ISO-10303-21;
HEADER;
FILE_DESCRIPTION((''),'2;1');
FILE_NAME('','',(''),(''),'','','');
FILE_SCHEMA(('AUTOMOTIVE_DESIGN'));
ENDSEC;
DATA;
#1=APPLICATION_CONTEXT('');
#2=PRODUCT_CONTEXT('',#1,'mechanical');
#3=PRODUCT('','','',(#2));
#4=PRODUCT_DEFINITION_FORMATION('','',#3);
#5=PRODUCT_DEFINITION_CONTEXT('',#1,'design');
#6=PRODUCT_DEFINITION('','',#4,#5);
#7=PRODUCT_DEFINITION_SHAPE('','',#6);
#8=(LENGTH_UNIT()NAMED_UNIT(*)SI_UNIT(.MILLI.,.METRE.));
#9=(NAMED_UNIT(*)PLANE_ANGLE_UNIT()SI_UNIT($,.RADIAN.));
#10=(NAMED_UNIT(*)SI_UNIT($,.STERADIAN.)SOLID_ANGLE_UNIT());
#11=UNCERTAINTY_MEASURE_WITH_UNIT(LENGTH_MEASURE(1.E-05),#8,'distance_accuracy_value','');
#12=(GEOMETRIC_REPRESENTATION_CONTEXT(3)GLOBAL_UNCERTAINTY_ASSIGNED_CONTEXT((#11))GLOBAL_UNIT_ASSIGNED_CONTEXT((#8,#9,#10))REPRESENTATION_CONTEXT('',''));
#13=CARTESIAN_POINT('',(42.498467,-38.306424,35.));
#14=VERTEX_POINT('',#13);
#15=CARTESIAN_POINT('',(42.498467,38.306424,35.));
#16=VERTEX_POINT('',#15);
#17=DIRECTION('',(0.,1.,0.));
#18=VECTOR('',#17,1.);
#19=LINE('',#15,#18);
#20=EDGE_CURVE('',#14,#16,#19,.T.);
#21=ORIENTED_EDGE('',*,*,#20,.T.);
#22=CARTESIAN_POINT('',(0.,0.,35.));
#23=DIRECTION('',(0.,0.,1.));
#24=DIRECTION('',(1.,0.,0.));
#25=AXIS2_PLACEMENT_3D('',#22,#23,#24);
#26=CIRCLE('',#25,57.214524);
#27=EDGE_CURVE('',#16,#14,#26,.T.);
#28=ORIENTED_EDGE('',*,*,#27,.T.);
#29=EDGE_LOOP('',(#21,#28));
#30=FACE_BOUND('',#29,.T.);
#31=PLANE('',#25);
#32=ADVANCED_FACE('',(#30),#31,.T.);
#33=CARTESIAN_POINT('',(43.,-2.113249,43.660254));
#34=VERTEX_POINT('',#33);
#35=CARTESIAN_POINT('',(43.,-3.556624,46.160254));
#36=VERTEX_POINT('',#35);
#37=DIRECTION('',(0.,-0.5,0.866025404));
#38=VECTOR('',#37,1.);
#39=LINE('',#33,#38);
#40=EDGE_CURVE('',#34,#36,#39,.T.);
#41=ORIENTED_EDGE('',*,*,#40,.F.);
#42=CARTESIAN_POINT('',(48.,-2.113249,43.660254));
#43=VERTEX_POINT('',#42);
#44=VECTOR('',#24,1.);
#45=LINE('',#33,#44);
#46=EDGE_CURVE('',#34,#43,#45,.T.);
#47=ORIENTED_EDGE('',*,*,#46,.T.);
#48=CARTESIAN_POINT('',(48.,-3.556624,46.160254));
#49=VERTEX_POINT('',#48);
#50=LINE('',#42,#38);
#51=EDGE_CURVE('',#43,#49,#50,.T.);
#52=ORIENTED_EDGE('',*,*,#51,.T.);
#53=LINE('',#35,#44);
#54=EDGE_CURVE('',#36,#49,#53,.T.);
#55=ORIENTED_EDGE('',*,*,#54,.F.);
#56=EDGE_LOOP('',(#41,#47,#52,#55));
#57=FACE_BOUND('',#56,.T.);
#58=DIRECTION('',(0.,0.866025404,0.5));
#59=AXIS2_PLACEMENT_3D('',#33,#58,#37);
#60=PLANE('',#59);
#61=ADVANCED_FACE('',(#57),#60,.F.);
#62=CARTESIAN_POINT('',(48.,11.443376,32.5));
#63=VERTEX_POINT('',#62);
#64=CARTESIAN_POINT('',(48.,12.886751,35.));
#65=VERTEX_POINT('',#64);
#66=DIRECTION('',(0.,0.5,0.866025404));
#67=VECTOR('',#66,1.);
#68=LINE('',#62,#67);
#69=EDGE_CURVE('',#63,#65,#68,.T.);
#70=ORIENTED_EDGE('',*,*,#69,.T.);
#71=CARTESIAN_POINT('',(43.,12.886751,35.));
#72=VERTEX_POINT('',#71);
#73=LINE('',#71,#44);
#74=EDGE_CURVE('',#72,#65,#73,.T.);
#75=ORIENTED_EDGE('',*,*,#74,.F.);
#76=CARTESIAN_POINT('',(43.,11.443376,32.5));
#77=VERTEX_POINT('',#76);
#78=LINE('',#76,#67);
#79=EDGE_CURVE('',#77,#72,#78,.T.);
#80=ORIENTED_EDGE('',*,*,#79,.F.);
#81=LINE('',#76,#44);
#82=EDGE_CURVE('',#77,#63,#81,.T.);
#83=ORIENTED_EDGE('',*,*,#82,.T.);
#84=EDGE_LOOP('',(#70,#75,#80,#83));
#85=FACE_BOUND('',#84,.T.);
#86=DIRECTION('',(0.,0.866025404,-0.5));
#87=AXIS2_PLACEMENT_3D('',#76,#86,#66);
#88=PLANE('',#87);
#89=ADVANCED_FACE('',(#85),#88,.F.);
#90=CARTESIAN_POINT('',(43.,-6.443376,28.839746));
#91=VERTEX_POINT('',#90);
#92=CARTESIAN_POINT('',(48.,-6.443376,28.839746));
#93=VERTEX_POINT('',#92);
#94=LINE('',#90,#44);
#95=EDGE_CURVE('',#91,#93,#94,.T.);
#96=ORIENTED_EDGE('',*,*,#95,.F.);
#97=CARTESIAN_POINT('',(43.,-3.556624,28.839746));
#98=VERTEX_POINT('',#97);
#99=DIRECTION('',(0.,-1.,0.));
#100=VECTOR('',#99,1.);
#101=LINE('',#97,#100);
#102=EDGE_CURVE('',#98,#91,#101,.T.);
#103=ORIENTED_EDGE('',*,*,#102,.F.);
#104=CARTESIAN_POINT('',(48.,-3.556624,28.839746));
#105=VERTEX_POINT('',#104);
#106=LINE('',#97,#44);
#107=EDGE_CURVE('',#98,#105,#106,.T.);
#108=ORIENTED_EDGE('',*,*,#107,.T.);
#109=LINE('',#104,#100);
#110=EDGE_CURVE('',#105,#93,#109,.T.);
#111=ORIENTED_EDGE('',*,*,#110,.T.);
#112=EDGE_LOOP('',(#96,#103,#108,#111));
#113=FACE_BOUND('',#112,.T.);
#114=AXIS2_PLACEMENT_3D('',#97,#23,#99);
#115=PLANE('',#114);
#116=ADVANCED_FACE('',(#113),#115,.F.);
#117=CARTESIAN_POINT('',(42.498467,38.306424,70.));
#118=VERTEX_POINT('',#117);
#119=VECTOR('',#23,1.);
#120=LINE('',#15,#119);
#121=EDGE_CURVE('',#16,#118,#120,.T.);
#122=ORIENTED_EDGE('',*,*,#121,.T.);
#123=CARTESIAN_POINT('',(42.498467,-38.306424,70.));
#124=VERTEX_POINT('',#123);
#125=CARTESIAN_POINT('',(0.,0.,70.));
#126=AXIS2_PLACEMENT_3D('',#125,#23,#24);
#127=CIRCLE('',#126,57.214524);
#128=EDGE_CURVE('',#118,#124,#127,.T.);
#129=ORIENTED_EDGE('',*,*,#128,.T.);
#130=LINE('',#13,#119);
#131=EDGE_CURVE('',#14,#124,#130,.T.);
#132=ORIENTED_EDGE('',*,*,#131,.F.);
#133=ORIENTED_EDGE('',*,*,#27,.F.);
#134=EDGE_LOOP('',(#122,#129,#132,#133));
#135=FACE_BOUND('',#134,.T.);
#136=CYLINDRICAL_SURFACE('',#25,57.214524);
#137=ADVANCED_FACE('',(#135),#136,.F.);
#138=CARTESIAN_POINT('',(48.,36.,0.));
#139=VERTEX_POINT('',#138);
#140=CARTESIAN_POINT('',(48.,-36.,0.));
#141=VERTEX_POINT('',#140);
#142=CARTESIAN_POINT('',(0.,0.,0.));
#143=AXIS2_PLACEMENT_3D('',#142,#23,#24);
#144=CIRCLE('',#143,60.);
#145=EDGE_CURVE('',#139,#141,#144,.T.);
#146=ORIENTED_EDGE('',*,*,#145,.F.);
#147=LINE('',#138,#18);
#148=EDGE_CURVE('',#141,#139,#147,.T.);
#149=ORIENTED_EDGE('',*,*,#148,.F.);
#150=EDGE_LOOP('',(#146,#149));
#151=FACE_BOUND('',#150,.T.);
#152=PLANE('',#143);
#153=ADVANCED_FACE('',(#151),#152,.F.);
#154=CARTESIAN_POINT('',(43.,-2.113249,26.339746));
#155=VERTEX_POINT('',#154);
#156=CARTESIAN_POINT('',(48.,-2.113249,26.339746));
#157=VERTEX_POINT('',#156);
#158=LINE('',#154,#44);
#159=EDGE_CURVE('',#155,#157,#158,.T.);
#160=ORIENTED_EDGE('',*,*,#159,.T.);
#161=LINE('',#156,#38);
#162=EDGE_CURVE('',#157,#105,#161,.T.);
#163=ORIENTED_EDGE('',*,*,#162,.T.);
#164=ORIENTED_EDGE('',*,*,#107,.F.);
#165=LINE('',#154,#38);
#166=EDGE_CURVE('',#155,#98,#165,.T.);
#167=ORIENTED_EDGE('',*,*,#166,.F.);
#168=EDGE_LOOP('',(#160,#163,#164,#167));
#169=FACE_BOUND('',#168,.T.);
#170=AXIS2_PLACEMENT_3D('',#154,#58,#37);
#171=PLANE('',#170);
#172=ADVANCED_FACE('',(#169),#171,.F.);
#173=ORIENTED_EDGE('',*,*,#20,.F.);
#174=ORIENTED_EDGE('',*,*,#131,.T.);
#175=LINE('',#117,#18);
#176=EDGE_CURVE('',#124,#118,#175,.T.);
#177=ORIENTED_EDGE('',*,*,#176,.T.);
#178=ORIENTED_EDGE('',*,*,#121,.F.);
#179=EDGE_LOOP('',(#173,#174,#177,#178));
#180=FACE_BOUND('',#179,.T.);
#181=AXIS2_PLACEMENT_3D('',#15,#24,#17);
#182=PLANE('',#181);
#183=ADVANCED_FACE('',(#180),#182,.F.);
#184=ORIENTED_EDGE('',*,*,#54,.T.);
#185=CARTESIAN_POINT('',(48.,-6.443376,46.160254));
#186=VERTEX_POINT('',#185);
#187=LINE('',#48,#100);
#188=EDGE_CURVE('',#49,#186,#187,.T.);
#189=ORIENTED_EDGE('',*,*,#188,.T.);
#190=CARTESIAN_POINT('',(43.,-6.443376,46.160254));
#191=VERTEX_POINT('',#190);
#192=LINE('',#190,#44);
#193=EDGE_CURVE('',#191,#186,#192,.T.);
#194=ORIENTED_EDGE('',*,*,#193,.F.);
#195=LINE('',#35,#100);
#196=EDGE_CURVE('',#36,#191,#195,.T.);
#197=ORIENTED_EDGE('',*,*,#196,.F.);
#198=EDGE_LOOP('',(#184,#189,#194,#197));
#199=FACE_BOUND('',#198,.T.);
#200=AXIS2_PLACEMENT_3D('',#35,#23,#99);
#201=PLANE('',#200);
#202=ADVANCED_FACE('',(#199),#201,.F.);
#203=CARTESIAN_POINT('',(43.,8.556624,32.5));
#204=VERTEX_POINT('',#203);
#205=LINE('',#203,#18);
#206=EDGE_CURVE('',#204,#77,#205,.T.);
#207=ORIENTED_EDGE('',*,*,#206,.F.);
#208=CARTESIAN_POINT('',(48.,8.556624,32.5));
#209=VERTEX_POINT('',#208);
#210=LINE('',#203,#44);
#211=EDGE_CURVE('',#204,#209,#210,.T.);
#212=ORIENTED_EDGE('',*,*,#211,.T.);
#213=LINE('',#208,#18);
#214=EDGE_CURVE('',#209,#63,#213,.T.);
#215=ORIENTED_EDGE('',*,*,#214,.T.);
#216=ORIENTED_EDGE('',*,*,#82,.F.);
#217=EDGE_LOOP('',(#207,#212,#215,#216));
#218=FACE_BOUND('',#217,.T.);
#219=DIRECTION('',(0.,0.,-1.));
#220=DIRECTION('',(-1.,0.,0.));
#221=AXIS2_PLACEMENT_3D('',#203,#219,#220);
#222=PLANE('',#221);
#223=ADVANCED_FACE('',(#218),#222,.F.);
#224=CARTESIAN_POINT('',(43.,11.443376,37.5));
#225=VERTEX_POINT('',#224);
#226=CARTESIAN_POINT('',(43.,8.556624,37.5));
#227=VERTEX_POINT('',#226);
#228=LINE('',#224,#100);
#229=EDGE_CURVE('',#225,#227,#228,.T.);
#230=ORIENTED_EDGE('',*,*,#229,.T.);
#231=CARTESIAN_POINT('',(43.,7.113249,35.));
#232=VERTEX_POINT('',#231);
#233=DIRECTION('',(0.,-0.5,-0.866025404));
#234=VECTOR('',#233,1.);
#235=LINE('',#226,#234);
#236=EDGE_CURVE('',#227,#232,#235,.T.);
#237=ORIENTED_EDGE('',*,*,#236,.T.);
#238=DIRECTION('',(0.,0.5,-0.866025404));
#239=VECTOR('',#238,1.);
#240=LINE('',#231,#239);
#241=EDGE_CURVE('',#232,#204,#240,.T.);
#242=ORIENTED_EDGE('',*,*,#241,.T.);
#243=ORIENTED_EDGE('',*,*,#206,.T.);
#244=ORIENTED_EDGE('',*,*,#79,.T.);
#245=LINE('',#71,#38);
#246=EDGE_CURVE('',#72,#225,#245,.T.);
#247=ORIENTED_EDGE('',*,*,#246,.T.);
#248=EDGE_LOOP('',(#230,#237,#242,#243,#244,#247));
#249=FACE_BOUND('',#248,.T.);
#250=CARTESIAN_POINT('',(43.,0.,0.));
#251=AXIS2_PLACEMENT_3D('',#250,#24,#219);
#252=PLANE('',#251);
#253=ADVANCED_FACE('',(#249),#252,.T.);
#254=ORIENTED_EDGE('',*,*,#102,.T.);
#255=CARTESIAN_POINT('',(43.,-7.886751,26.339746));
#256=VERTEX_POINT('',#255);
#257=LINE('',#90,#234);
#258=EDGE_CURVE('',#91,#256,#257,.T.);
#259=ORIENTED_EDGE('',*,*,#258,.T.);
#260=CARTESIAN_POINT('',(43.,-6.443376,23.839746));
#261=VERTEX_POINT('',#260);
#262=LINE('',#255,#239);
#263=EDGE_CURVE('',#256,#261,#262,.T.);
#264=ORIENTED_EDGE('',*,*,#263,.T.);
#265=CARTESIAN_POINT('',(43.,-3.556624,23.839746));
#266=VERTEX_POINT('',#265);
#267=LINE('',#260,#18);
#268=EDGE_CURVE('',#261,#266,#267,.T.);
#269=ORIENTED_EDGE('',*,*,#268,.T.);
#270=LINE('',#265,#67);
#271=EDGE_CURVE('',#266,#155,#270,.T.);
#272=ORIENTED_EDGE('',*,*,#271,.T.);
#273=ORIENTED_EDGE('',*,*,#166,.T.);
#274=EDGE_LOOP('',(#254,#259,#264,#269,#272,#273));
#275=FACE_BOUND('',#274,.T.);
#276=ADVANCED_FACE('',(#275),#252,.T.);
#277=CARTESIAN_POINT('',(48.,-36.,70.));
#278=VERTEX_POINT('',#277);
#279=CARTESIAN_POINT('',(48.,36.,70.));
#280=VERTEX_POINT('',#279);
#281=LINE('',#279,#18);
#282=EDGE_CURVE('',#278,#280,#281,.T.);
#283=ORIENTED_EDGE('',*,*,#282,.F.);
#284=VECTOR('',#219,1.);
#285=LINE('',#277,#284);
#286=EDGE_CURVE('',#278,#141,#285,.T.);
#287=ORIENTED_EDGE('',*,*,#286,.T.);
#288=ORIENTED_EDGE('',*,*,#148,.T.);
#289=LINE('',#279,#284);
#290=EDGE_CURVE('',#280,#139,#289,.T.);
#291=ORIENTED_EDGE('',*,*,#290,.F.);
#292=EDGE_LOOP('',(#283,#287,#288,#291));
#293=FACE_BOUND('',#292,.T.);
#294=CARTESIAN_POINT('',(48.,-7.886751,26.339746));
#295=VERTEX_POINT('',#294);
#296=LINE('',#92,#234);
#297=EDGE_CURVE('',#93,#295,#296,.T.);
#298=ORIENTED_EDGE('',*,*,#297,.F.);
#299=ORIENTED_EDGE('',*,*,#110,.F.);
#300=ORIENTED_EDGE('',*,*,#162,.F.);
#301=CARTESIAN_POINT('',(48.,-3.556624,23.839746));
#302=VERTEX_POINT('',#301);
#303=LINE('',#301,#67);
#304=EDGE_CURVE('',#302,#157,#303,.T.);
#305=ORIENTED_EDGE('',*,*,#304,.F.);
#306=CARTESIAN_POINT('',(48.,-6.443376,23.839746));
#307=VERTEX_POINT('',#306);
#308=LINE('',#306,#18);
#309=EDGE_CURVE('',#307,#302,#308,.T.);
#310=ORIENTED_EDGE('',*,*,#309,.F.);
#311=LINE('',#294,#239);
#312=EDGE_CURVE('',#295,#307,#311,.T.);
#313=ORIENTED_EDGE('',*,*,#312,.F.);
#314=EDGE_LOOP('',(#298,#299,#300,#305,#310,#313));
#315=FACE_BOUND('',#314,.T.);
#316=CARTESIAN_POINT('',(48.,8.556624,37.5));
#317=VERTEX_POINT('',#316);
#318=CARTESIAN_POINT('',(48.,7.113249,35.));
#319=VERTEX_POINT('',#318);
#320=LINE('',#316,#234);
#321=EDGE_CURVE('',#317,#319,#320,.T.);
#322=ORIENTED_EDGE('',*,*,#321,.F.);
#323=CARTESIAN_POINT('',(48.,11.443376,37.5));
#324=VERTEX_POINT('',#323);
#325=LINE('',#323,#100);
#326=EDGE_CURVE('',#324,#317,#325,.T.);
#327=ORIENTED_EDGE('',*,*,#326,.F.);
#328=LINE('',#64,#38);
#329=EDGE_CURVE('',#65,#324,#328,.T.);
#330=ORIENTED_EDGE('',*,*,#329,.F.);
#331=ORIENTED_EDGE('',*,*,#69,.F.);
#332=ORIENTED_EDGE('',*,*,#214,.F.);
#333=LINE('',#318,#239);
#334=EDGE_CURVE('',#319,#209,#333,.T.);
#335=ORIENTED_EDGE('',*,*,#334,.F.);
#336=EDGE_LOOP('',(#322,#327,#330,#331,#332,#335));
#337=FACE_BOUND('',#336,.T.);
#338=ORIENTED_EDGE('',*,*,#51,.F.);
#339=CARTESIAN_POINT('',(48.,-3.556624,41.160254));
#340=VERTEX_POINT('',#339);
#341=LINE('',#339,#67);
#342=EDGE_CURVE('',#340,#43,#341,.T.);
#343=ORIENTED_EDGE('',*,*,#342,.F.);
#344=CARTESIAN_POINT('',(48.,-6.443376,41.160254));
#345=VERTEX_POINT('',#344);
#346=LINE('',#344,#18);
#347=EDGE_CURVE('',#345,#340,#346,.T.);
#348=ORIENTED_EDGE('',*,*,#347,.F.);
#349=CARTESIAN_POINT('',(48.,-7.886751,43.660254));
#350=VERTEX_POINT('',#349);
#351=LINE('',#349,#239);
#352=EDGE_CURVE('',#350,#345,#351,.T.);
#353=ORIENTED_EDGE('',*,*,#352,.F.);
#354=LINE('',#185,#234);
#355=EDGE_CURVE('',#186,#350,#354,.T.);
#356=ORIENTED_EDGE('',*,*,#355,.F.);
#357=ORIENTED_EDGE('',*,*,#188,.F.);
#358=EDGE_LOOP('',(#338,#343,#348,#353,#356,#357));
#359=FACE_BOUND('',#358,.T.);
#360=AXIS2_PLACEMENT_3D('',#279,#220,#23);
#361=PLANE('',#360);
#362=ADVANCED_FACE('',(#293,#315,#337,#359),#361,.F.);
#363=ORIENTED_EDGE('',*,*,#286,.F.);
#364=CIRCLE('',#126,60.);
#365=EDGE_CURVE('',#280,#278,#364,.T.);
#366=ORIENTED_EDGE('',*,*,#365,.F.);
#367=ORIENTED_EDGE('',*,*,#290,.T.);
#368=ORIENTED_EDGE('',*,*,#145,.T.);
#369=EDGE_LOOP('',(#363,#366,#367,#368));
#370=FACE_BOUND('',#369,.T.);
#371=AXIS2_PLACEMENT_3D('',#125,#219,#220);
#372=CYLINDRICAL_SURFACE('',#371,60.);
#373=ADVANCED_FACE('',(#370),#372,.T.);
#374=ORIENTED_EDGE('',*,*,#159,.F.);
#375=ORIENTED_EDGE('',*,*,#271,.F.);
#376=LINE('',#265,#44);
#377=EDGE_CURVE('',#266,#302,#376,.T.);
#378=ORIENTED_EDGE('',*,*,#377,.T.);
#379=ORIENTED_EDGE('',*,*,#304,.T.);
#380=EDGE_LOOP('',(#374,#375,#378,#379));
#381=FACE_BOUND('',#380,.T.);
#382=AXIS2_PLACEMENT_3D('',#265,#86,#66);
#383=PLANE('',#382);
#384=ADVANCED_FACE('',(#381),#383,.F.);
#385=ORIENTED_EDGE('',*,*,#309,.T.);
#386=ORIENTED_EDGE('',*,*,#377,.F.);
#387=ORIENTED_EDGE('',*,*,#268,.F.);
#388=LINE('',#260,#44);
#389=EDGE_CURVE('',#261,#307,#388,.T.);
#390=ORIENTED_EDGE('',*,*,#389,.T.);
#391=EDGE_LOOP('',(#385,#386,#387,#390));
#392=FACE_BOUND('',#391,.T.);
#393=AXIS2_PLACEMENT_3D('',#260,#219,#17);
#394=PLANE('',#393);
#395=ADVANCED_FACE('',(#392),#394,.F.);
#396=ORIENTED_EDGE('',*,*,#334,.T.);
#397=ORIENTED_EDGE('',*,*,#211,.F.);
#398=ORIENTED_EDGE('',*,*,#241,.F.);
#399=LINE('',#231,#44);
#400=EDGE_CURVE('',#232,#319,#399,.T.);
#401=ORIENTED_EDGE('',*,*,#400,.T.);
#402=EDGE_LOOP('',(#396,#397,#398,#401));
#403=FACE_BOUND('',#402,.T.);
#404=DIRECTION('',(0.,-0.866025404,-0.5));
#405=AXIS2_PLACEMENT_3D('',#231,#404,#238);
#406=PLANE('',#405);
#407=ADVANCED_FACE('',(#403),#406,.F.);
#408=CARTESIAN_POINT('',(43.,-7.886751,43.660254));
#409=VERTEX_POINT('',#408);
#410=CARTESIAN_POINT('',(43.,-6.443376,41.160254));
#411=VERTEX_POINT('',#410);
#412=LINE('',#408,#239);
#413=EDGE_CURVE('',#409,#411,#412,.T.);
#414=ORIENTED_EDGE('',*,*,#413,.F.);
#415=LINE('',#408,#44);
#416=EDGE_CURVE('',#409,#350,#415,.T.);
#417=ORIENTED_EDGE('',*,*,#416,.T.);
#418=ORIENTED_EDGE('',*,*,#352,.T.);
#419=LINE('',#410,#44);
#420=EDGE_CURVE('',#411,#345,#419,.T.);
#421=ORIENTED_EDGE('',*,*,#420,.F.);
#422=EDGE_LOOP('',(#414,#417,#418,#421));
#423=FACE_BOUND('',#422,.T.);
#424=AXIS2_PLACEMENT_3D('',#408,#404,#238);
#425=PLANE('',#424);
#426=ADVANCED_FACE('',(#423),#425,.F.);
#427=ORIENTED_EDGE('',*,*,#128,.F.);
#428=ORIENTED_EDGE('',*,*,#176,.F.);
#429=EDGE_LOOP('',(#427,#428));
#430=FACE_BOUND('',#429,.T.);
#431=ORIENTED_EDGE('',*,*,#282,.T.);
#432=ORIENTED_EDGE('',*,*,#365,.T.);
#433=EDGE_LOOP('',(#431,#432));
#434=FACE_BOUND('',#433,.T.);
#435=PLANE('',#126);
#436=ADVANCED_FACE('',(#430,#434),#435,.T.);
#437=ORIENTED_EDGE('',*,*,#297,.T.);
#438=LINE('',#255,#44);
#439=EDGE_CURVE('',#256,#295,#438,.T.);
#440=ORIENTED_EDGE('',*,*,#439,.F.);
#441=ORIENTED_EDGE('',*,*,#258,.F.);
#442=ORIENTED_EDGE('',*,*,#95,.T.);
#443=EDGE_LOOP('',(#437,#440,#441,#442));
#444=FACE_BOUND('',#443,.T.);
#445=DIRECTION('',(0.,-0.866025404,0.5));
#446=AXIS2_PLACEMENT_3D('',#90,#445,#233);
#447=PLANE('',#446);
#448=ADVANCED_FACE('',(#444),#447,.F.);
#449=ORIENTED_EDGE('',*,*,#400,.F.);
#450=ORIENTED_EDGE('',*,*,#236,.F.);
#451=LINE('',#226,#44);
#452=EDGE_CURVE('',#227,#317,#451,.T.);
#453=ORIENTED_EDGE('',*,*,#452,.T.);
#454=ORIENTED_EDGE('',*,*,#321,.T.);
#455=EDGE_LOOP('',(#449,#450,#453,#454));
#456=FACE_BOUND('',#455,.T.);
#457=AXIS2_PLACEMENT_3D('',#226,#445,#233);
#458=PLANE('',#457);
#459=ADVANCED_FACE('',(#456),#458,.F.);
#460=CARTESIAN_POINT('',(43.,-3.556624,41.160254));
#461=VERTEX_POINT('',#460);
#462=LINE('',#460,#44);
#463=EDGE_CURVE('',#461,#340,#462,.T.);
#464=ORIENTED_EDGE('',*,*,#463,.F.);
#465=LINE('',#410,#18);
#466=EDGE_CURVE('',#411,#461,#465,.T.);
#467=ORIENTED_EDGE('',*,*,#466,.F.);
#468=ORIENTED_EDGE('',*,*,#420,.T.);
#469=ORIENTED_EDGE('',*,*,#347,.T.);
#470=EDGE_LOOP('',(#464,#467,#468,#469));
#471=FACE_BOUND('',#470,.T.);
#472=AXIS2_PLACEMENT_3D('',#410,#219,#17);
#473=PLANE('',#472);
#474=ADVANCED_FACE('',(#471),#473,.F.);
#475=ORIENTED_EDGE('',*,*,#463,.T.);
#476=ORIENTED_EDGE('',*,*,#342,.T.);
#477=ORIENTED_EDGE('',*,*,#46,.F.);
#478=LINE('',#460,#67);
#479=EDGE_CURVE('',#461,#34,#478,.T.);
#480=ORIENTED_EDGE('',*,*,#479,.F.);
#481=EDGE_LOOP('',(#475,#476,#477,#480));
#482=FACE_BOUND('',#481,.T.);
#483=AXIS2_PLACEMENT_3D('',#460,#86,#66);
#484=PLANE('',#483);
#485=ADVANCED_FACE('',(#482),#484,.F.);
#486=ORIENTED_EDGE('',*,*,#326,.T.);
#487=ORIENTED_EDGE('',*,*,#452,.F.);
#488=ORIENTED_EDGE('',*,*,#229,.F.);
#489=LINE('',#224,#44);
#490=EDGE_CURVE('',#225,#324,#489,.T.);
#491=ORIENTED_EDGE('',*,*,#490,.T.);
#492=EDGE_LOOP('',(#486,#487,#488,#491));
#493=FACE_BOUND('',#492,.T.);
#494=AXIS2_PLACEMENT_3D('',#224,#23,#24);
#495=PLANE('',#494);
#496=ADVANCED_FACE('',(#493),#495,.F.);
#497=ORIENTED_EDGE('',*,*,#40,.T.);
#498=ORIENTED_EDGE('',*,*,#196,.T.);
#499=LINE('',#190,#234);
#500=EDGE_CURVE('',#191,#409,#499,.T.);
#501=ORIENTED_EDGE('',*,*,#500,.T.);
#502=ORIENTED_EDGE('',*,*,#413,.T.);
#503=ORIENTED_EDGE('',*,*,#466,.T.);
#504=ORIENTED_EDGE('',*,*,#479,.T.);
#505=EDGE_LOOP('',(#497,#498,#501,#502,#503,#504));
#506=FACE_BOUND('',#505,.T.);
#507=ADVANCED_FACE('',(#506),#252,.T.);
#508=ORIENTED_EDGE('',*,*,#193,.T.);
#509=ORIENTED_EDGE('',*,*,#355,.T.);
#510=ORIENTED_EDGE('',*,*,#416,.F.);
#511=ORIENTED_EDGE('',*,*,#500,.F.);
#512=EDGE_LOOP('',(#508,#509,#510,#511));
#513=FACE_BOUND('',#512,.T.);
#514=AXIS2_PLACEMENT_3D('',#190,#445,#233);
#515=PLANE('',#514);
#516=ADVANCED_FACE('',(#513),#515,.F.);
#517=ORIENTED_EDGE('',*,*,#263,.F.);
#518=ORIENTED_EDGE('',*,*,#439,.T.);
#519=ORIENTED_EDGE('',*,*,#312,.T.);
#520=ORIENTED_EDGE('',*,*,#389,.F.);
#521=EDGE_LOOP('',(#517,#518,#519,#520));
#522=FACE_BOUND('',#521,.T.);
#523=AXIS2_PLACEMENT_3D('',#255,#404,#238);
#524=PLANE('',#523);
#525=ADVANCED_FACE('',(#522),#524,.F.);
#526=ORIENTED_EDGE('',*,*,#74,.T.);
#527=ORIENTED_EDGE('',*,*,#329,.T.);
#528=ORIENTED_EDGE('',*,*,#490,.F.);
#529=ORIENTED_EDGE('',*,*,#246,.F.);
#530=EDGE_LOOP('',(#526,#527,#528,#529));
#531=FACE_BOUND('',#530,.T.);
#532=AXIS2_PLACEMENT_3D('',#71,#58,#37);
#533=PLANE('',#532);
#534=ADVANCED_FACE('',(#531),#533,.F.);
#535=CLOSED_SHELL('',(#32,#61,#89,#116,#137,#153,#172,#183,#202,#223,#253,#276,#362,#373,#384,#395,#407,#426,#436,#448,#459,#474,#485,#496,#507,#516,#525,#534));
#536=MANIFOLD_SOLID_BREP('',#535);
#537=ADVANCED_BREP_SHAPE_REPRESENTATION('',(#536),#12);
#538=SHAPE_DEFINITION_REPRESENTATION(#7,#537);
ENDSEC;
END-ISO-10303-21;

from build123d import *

# Parameters (mm, degrees)
EXTRUDE_3_DEPTH     = 70
CUT_EXTRUDE_2_DEPTH = 5
CUT_EXTRUDE_4_DEPTH = 35


with BuildPart() as part:
    # 草图1 → 凸台-拉伸3 (new body)
    with BuildSketch(Plane.XY):
        with BuildLine():
            Line((48, 36), (48, -36))
            ThreePointArc((48, -36), (-60, 0), (48, 36))
        make_face()
    extrude(amount=EXTRUDE_3_DEPTH)

    # 草图4 → 切除-拉伸2 (cut)
    with BuildSketch(Plane(origin=(48, 0, 0), x_dir=(0, 0, -1), z_dir=(1, 0, 0))):
        Polygon((-28.839745962, -3.556624327), (-28.839745962, -6.443375673), (-26.339745962, -7.886751346), (-23.839745962, -6.443375673), (-23.839745962, -3.556624327), (-26.339745962, -2.113248654), align=None)
        Polygon((-35, 7.113248654), (-32.5, 8.556624327), (-32.5, 11.443375673), (-35, 12.886751346), (-37.5, 11.443375673), (-37.5, 8.556624327), align=None)
        Polygon((-41.160254038, -3.556624327), (-43.660254038, -2.113248654), (-46.160254038, -3.556624327), (-46.160254038, -6.443375673), (-43.660254038, -7.886751346), (-41.160254038, -6.443375673), align=None)
    extrude(amount=-CUT_EXTRUDE_2_DEPTH, mode=Mode.SUBTRACT)

    # 草图6 → 切除-拉伸4 (cut)
    with BuildSketch(Plane.XY.offset(70)):
        with BuildLine():
            Line((42.4984665, 38.306424351), (42.4984665, -38.306424351))
            ThreePointArc((42.4984665, -38.306424351), (-57.214524392, 0), (42.4984665, 38.306424351))
        make_face()
    extrude(amount=-CUT_EXTRUDE_4_DEPTH, mode=Mode.SUBTRACT)


solid = part.part
